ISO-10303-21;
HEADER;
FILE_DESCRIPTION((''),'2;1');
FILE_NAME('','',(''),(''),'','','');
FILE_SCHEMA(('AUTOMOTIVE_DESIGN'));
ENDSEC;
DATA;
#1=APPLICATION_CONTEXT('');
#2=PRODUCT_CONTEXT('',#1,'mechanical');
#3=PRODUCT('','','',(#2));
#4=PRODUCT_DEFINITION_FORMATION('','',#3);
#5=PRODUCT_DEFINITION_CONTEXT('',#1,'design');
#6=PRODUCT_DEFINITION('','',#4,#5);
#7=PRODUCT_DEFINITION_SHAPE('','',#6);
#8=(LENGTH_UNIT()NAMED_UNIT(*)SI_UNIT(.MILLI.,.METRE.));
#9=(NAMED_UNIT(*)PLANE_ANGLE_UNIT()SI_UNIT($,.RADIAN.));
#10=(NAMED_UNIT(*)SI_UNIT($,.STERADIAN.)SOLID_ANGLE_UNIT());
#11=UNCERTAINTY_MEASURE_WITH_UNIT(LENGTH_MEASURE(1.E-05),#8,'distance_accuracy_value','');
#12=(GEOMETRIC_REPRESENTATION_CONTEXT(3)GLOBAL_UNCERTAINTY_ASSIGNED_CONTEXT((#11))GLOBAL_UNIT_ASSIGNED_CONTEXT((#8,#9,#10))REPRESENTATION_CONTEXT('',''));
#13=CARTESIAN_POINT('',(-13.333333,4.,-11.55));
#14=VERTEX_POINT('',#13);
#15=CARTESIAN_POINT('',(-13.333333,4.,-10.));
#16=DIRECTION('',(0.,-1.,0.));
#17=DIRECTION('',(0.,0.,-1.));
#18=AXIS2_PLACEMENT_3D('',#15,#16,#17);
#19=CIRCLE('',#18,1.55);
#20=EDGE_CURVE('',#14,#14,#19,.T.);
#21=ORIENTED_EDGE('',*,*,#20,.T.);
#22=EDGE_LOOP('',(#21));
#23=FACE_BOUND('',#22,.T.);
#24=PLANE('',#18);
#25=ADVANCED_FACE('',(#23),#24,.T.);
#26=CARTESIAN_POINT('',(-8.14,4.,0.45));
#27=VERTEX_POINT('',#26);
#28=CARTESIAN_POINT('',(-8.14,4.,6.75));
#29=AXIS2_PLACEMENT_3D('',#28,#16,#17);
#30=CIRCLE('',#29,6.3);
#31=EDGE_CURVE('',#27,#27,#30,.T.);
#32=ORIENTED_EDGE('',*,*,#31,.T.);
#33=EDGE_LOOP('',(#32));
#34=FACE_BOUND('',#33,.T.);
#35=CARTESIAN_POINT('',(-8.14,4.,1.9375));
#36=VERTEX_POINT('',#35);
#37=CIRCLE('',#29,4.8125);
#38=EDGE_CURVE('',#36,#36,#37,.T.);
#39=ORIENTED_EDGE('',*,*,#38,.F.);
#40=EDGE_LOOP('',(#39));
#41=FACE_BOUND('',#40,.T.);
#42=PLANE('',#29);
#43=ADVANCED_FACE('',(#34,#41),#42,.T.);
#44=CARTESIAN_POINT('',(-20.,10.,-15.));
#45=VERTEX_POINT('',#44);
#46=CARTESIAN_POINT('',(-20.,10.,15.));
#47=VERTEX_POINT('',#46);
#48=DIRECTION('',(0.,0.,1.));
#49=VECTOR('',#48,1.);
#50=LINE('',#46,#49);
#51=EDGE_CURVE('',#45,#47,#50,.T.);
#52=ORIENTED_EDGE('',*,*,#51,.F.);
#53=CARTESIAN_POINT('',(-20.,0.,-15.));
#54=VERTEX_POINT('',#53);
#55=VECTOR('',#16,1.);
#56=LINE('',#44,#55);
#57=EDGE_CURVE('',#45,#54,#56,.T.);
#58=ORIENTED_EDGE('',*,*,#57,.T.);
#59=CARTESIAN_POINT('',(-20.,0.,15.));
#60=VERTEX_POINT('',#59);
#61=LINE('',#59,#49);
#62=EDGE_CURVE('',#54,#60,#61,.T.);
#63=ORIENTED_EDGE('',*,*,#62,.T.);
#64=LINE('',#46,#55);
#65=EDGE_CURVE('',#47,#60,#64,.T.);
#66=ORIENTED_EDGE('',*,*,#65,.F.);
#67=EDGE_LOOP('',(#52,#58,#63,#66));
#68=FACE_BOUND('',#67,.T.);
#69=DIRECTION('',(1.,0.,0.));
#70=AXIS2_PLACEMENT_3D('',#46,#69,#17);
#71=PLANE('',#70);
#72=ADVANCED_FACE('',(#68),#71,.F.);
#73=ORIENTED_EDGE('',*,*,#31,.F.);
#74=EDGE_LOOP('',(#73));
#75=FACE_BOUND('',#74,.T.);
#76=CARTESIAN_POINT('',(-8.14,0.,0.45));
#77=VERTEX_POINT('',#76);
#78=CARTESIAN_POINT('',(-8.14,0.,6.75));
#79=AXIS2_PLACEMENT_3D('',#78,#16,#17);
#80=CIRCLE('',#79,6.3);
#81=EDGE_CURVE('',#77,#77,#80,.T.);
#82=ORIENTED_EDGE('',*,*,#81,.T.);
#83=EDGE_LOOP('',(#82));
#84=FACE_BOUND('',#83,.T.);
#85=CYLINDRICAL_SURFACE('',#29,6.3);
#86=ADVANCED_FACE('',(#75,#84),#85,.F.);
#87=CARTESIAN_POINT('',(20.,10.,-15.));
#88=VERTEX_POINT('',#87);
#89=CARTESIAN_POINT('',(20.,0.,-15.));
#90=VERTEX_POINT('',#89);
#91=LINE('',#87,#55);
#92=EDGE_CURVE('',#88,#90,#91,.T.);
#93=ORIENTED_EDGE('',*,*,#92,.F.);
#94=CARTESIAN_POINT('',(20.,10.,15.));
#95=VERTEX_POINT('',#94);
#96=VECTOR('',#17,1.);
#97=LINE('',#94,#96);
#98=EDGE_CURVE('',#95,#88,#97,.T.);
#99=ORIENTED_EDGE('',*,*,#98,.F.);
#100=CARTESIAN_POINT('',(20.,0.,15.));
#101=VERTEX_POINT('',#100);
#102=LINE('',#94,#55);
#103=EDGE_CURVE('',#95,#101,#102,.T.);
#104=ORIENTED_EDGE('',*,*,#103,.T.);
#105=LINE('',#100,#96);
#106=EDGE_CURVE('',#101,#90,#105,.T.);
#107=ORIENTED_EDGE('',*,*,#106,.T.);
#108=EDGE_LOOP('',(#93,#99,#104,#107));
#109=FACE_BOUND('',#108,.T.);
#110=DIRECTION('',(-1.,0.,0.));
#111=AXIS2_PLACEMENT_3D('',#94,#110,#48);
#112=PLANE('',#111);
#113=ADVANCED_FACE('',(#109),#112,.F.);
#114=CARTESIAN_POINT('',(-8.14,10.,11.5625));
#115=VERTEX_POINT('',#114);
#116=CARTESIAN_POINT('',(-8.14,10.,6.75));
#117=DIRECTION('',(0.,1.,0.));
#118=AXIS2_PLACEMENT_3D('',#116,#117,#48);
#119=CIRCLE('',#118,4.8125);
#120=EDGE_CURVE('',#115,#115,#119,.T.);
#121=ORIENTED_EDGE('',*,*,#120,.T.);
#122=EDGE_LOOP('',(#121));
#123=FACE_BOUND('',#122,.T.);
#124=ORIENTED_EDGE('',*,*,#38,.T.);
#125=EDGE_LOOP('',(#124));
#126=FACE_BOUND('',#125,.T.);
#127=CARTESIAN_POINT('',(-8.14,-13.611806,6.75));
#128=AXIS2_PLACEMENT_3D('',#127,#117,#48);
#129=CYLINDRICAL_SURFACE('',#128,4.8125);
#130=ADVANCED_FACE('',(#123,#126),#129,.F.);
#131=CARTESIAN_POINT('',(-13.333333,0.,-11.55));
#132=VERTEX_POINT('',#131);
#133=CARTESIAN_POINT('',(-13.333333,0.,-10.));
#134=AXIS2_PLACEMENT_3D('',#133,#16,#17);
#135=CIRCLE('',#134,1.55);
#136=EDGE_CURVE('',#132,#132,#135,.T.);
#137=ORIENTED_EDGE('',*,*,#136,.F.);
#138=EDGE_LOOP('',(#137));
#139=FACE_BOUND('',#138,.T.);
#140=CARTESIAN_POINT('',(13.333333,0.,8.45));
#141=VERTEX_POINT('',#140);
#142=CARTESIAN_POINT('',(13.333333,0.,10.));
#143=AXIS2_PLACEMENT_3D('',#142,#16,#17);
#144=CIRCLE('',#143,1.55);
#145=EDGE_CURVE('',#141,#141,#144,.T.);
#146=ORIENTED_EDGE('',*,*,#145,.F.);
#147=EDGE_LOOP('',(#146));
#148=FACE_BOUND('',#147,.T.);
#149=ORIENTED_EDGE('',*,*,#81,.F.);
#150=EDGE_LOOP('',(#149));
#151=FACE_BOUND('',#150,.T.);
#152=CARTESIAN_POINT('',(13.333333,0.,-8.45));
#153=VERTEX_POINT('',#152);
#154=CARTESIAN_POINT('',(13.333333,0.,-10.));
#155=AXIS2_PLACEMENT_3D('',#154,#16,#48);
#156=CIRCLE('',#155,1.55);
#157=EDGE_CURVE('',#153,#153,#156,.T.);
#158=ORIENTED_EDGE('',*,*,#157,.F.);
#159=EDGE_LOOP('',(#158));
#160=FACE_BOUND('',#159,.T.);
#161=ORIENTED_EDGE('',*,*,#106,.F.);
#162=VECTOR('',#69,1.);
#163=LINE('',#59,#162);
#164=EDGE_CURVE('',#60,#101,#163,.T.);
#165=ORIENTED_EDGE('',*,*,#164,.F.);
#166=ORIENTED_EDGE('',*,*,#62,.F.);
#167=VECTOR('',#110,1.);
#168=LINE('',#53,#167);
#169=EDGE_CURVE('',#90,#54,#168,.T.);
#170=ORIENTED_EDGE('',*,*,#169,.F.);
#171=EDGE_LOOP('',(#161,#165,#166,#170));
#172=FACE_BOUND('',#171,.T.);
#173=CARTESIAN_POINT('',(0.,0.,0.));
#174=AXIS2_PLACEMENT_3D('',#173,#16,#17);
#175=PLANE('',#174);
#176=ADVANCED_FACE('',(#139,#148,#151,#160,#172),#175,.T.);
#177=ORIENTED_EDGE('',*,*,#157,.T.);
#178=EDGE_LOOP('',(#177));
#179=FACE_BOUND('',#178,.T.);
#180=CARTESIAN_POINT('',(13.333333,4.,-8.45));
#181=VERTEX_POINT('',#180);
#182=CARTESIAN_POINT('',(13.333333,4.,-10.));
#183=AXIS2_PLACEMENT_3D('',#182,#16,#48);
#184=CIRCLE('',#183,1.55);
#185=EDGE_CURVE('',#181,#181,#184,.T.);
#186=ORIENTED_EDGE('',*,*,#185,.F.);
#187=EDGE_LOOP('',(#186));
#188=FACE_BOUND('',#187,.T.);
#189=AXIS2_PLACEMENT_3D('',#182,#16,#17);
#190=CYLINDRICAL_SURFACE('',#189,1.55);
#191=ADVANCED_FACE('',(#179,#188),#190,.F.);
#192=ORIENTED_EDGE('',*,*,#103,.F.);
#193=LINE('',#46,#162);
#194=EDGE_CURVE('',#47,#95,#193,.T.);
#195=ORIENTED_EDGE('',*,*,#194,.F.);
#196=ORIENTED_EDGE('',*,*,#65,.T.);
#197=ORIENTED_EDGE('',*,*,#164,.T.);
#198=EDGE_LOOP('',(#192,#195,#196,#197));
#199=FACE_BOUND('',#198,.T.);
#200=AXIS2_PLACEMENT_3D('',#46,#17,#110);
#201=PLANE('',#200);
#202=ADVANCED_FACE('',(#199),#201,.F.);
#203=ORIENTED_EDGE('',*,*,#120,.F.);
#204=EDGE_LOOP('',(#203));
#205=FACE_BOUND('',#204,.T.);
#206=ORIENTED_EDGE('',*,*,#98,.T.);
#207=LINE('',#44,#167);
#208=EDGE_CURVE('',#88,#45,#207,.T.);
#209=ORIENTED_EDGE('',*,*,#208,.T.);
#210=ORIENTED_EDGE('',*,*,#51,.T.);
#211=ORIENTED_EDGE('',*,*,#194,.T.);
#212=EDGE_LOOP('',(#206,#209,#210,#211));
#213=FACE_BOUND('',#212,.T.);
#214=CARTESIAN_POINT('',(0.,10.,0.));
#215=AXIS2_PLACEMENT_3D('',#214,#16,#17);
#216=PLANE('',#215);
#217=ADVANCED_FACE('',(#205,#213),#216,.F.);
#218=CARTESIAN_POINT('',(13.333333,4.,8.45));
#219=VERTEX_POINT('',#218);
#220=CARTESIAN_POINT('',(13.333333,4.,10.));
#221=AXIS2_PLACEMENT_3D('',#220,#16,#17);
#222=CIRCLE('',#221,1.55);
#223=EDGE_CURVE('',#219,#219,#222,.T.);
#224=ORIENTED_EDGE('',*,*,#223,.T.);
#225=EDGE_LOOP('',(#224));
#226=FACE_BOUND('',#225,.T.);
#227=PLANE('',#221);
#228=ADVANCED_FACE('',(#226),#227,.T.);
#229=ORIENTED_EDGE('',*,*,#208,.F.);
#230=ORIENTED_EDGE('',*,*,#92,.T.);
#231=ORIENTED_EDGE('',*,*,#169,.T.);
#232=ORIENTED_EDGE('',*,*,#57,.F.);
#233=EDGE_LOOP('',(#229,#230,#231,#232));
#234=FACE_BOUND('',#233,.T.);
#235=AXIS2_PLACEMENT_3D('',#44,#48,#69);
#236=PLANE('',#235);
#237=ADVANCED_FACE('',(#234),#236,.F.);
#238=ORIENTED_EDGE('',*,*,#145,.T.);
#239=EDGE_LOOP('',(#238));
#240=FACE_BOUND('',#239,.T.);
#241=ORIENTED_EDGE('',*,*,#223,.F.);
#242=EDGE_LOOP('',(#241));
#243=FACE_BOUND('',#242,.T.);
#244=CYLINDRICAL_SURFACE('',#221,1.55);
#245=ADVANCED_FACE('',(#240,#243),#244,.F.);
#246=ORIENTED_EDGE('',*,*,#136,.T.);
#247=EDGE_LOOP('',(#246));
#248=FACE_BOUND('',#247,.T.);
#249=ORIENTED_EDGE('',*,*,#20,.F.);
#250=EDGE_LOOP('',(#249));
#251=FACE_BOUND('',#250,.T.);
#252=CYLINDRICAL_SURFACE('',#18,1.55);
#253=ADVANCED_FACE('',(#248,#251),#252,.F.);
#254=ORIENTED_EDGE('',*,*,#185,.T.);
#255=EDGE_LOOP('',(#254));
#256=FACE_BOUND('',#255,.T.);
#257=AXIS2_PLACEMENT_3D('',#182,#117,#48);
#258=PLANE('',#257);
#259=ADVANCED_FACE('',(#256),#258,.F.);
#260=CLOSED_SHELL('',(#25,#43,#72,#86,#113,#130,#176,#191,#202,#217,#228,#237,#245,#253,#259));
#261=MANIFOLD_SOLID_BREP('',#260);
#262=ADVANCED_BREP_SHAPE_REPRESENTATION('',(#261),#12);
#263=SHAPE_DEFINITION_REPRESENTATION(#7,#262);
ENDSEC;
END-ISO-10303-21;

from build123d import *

# Parameters (mm, degrees)
SKETCH1_W           = 40
SKETCH1_H           = 30
BOSS_EXTRUDE1_DEPTH = 10
SKETCH2_R           = 1.55
SKETCH2_R_2         = 6.3
CUT_EXTRUDE1_DEPTH  = 4
SKETCH3_R           = 4.8125
CUT_EXTRUDE2_DEPTH  = 10


with BuildPart() as part:
    # Sketch1 → Boss-Extrude1 (new body)
    with BuildSketch(Plane(origin=(0, 0, 0), x_dir=(1, 0, 0), z_dir=(0, 1, 0))):
        Rectangle(SKETCH1_W, SKETCH1_H)
    extrude(amount=BOSS_EXTRUDE1_DEPTH)

    # Sketch2 → Cut-Extrude1 (cut)
    with BuildSketch(Plane(origin=(0, 0, 0), x_dir=(-1, 0, 0), z_dir=(0, -1, 0))):
        with Locations(Location((-13.333333333, -10, 0), (0, 0, 90))):
            Circle(SKETCH2_R)
        with Locations(Location((-13.333333333, 10, 0), (0, 0, 270))):
            Circle(SKETCH2_R)
        with Locations(Location((13.333333333, 10, 0), (0, 0, 90))):
            Circle(SKETCH2_R)
        with Locations(Location((8.14, -6.75, 0), (0, 0, 90))):
            Circle(SKETCH2_R_2)
    extrude(amount=-CUT_EXTRUDE1_DEPTH, mode=Mode.SUBTRACT)

    # Sketch3 → Cut-Extrude2 (cut)
    with BuildSketch(Plane(origin=(0, 10, 0), x_dir=(1, 0, 0), z_dir=(0, 1, 0))):
        with Locations(Location((-8.14, -6.75, 0), (0, 0, 270))):
            Circle(SKETCH3_R)
    extrude(amount=-CUT_EXTRUDE2_DEPTH, mode=Mode.SUBTRACT)


solid = part.part
